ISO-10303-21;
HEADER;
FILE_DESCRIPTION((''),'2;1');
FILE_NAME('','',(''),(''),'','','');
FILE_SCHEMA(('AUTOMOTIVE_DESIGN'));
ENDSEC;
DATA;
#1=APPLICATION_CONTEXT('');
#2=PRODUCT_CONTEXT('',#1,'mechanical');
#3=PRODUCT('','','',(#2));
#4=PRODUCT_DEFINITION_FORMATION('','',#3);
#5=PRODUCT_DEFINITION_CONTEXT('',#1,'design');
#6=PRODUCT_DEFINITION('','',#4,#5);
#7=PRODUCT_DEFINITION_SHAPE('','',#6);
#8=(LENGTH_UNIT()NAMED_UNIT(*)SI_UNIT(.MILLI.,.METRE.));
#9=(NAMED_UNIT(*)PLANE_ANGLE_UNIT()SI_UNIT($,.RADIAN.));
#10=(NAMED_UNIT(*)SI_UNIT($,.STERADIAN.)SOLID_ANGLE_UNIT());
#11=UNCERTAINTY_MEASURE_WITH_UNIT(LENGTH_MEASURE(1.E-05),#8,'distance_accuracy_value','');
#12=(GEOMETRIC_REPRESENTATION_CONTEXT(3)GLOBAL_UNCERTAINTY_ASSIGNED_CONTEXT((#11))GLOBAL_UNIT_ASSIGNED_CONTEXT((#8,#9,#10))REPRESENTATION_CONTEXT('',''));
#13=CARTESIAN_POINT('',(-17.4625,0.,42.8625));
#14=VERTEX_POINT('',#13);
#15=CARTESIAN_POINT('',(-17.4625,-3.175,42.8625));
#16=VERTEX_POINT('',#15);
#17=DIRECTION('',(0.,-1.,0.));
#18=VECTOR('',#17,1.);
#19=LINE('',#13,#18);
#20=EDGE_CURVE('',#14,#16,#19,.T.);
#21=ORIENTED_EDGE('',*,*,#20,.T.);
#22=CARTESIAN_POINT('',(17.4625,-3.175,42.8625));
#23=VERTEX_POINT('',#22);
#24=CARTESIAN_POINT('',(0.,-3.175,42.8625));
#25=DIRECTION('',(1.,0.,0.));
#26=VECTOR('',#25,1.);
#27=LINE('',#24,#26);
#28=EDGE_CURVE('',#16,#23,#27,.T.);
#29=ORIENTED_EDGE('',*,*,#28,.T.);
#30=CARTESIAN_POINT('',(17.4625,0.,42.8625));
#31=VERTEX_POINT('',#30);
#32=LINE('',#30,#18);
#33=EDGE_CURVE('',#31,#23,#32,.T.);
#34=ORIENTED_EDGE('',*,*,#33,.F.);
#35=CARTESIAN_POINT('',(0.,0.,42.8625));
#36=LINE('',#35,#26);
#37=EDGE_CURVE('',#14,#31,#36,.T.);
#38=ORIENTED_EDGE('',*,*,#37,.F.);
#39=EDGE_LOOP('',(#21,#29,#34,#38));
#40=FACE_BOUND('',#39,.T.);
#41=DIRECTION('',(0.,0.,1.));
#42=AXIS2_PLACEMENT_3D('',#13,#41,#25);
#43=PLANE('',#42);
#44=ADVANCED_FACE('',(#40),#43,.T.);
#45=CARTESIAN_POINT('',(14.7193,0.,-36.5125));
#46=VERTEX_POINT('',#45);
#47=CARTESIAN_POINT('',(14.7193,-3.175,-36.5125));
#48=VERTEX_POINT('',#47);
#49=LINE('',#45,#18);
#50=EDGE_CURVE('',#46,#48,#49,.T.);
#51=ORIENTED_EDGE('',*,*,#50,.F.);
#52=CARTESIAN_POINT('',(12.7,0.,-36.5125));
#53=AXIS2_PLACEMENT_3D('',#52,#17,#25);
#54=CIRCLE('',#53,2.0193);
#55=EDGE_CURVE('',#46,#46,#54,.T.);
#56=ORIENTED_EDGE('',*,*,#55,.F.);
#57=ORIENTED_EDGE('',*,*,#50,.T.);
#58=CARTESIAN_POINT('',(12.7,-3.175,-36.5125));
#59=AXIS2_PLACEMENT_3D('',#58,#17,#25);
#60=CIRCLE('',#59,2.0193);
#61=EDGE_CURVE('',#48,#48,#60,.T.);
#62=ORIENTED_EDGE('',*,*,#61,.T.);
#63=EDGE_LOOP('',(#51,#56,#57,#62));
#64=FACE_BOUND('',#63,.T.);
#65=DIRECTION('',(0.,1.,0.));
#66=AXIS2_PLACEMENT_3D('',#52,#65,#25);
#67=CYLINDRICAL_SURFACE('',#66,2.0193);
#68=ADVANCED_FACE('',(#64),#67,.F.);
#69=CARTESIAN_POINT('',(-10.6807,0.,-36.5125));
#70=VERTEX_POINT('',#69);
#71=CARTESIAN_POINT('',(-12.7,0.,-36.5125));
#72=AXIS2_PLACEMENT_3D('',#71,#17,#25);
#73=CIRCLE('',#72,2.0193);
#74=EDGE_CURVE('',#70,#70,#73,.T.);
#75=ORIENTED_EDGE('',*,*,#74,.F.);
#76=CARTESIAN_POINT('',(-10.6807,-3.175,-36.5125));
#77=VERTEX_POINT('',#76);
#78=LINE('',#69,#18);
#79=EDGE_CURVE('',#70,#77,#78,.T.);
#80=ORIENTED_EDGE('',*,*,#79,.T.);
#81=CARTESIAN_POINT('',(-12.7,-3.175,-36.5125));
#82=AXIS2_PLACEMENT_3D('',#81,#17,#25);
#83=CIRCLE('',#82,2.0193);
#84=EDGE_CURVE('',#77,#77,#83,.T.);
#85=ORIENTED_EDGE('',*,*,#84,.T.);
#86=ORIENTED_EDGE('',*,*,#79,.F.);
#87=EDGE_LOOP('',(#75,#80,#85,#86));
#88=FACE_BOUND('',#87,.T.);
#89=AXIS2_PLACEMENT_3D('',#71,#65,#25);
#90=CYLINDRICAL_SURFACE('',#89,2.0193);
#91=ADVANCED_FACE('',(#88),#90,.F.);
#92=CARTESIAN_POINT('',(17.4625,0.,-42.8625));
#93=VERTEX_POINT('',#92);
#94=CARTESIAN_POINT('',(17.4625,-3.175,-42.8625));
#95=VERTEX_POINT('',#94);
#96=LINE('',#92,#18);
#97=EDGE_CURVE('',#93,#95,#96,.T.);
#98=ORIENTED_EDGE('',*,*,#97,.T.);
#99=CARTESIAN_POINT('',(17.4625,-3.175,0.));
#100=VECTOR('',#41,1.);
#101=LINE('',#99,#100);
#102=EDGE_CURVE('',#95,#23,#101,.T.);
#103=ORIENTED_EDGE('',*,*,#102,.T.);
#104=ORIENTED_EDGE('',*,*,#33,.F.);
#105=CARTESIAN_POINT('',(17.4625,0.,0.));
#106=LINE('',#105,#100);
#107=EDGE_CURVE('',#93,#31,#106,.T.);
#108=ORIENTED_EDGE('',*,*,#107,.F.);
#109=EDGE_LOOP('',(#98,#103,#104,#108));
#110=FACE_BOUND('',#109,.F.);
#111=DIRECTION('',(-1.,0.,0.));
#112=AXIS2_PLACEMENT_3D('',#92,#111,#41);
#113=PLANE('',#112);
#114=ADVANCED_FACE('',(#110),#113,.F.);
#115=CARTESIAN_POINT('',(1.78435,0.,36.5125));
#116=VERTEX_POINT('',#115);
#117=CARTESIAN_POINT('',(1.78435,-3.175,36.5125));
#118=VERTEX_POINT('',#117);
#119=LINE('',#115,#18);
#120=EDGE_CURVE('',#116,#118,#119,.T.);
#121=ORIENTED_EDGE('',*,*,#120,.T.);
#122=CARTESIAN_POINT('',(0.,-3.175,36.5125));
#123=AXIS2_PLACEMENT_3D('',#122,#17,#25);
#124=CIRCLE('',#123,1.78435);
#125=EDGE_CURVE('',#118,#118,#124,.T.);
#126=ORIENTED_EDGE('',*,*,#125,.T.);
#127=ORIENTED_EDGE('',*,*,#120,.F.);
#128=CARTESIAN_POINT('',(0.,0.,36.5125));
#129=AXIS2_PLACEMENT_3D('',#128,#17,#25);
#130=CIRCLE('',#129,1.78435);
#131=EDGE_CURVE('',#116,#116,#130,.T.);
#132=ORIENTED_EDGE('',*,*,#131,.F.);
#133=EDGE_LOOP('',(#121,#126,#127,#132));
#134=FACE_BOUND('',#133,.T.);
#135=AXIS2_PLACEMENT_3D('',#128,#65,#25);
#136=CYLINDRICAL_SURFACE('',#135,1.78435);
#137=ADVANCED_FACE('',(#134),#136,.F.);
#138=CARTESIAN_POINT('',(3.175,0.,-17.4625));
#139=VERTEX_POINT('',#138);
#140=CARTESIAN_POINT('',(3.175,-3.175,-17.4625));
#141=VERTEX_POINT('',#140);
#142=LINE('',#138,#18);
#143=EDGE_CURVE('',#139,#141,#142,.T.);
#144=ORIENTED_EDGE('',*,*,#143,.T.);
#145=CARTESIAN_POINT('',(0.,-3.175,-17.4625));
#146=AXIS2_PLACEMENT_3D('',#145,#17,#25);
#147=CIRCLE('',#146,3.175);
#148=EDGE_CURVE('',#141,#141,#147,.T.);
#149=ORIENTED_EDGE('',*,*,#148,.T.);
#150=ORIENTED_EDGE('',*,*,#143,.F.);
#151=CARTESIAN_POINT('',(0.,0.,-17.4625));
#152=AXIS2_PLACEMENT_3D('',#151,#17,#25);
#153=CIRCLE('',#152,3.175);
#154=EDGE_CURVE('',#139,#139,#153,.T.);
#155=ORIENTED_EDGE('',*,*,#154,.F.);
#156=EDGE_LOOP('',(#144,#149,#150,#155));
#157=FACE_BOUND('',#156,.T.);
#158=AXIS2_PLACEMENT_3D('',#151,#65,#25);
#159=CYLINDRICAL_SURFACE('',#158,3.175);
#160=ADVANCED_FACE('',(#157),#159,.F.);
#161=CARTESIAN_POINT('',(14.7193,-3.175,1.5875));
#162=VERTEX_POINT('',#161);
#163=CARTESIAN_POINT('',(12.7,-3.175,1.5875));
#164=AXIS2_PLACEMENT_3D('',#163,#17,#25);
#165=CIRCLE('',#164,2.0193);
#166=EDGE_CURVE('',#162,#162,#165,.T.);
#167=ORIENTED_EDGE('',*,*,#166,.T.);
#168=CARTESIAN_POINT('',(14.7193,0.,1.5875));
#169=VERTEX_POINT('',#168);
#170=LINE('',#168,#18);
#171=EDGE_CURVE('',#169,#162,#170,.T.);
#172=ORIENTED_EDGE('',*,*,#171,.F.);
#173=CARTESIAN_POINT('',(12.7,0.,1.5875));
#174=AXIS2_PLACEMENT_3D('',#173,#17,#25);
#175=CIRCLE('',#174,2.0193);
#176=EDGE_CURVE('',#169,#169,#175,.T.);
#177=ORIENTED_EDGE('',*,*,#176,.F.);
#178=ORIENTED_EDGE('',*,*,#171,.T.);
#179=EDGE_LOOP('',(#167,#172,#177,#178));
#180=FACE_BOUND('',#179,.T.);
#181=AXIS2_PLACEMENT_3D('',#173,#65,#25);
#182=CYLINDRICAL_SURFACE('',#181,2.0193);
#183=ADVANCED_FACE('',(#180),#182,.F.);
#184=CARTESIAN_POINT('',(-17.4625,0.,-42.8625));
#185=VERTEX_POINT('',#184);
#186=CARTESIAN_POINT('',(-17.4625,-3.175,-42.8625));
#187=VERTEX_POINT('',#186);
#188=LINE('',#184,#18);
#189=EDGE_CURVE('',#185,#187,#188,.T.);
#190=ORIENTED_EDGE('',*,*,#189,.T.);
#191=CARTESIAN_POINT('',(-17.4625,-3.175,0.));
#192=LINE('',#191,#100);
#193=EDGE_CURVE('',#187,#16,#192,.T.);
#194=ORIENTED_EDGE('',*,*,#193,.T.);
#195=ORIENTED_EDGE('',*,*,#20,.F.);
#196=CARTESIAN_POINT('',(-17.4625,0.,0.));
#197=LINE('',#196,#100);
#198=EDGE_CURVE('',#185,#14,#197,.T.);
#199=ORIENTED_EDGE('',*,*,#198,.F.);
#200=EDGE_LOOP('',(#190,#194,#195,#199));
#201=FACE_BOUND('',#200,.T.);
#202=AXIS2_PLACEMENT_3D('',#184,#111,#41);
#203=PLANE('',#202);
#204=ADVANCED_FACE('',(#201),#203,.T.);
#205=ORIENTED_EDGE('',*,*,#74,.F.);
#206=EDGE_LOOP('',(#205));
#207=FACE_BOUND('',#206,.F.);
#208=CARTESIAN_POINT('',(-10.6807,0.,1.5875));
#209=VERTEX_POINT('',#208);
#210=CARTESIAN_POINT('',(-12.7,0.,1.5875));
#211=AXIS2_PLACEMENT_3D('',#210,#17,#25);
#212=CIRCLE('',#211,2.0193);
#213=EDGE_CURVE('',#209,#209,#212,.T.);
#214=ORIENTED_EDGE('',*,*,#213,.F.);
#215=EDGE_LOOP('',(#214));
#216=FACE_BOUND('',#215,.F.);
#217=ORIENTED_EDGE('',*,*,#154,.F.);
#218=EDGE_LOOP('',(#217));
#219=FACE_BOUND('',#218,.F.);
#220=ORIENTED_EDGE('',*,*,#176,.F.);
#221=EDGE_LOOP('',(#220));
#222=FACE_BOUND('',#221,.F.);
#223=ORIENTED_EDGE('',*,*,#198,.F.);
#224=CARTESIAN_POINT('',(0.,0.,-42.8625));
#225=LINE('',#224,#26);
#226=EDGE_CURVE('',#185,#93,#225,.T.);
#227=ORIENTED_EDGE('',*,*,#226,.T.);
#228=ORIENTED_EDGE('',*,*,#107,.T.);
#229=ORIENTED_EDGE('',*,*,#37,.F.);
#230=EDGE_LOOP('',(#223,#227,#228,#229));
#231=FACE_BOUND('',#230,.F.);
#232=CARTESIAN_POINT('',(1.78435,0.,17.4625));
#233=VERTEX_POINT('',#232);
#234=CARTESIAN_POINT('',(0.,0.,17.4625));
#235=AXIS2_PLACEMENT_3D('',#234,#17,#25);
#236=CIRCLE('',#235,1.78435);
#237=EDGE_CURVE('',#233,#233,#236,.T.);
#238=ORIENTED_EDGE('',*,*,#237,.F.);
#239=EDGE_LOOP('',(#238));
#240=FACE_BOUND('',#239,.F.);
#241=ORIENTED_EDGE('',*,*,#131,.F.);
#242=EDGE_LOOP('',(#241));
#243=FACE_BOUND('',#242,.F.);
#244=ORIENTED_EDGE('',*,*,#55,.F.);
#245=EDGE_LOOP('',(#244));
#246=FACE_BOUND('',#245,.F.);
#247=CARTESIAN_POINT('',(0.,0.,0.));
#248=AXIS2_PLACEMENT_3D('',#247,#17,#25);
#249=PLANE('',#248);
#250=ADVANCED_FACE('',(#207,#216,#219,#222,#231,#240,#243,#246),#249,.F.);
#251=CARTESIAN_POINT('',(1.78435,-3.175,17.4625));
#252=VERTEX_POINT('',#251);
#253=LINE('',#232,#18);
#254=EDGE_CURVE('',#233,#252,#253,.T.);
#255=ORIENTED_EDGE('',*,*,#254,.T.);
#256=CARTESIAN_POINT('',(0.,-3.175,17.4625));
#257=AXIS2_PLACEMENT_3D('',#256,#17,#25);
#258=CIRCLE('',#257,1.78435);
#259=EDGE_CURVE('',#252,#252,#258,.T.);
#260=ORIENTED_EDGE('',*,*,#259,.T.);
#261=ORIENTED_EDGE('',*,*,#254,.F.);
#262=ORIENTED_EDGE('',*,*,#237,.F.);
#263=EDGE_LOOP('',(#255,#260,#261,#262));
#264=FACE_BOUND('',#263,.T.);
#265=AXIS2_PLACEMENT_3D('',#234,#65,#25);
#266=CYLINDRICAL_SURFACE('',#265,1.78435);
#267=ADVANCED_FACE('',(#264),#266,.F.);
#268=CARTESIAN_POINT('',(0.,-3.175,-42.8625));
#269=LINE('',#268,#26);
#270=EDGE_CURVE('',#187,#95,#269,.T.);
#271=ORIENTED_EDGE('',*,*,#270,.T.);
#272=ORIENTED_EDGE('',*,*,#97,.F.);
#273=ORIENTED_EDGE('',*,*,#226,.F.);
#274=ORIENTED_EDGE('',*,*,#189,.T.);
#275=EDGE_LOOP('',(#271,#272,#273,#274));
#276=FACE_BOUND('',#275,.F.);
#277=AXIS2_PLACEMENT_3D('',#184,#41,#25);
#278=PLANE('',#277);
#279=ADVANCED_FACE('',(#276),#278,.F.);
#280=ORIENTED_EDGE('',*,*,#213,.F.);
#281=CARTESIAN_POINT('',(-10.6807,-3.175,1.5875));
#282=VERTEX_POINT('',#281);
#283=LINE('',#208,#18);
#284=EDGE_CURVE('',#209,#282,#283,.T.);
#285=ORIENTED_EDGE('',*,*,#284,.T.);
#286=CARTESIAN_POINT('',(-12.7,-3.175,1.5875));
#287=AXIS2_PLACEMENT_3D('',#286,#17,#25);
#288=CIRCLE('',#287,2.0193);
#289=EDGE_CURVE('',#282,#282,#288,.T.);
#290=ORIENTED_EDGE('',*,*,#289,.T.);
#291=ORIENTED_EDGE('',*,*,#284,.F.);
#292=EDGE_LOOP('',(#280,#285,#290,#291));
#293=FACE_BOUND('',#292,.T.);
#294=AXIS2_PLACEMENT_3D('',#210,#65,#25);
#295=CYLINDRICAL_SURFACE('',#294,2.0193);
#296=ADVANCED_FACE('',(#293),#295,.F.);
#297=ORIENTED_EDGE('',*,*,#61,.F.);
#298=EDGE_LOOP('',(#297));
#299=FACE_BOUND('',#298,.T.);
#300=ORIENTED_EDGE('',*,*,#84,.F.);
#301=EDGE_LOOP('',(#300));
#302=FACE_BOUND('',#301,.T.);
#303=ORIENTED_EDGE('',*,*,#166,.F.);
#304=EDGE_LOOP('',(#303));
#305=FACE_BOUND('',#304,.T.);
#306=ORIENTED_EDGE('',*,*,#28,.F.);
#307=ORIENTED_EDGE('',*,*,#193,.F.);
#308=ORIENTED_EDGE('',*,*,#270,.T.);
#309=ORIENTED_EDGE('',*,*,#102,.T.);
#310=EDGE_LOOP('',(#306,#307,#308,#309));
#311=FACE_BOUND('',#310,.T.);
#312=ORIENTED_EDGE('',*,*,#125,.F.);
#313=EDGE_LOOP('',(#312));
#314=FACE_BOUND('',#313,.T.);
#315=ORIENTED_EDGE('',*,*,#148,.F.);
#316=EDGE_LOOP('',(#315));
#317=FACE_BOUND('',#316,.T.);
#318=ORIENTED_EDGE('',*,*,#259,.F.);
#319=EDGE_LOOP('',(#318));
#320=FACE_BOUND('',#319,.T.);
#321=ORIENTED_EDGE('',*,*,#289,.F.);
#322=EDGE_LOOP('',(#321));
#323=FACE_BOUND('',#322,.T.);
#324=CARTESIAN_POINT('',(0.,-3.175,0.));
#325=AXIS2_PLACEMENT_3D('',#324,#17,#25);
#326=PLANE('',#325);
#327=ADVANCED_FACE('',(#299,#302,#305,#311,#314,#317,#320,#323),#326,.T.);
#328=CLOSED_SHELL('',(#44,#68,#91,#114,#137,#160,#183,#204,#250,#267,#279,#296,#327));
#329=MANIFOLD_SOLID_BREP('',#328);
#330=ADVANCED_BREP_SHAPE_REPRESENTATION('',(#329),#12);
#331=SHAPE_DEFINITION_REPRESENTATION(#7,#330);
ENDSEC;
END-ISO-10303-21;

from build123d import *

# Parameters (mm, degrees)
F0_W     = 34.925
F0_H     = 85.725
F0_R     = 2.0193
F0_R_2   = 3.175
F0_R_3   = 1.78435
F1_DEPTH = 3.175


with BuildPart() as f1:
    # F0 (on Front) → F1 (new body)
    with BuildSketch(Plane.XZ):
        Rectangle(F0_W, F0_H)
        with Locations((-12.7, -36.5125)):
            Circle(F0_R, mode=Mode.SUBTRACT)
        with Locations((12.7, -36.5125)):
            Circle(F0_R, mode=Mode.SUBTRACT)
        with Locations((0, -17.4625)):
            Circle(F0_R_2, mode=Mode.SUBTRACT)
        with Locations((-12.7, 1.5875)):
            Circle(F0_R, mode=Mode.SUBTRACT)
        with Locations((0, 17.4625)):
            Circle(F0_R_3, mode=Mode.SUBTRACT)
        with Locations((12.7, 1.5875)):
            Circle(F0_R, mode=Mode.SUBTRACT)
        with Locations((0, 36.5125)):
            Circle(F0_R_3, mode=Mode.SUBTRACT)
    extrude(amount=F1_DEPTH)


solid = f1.part
